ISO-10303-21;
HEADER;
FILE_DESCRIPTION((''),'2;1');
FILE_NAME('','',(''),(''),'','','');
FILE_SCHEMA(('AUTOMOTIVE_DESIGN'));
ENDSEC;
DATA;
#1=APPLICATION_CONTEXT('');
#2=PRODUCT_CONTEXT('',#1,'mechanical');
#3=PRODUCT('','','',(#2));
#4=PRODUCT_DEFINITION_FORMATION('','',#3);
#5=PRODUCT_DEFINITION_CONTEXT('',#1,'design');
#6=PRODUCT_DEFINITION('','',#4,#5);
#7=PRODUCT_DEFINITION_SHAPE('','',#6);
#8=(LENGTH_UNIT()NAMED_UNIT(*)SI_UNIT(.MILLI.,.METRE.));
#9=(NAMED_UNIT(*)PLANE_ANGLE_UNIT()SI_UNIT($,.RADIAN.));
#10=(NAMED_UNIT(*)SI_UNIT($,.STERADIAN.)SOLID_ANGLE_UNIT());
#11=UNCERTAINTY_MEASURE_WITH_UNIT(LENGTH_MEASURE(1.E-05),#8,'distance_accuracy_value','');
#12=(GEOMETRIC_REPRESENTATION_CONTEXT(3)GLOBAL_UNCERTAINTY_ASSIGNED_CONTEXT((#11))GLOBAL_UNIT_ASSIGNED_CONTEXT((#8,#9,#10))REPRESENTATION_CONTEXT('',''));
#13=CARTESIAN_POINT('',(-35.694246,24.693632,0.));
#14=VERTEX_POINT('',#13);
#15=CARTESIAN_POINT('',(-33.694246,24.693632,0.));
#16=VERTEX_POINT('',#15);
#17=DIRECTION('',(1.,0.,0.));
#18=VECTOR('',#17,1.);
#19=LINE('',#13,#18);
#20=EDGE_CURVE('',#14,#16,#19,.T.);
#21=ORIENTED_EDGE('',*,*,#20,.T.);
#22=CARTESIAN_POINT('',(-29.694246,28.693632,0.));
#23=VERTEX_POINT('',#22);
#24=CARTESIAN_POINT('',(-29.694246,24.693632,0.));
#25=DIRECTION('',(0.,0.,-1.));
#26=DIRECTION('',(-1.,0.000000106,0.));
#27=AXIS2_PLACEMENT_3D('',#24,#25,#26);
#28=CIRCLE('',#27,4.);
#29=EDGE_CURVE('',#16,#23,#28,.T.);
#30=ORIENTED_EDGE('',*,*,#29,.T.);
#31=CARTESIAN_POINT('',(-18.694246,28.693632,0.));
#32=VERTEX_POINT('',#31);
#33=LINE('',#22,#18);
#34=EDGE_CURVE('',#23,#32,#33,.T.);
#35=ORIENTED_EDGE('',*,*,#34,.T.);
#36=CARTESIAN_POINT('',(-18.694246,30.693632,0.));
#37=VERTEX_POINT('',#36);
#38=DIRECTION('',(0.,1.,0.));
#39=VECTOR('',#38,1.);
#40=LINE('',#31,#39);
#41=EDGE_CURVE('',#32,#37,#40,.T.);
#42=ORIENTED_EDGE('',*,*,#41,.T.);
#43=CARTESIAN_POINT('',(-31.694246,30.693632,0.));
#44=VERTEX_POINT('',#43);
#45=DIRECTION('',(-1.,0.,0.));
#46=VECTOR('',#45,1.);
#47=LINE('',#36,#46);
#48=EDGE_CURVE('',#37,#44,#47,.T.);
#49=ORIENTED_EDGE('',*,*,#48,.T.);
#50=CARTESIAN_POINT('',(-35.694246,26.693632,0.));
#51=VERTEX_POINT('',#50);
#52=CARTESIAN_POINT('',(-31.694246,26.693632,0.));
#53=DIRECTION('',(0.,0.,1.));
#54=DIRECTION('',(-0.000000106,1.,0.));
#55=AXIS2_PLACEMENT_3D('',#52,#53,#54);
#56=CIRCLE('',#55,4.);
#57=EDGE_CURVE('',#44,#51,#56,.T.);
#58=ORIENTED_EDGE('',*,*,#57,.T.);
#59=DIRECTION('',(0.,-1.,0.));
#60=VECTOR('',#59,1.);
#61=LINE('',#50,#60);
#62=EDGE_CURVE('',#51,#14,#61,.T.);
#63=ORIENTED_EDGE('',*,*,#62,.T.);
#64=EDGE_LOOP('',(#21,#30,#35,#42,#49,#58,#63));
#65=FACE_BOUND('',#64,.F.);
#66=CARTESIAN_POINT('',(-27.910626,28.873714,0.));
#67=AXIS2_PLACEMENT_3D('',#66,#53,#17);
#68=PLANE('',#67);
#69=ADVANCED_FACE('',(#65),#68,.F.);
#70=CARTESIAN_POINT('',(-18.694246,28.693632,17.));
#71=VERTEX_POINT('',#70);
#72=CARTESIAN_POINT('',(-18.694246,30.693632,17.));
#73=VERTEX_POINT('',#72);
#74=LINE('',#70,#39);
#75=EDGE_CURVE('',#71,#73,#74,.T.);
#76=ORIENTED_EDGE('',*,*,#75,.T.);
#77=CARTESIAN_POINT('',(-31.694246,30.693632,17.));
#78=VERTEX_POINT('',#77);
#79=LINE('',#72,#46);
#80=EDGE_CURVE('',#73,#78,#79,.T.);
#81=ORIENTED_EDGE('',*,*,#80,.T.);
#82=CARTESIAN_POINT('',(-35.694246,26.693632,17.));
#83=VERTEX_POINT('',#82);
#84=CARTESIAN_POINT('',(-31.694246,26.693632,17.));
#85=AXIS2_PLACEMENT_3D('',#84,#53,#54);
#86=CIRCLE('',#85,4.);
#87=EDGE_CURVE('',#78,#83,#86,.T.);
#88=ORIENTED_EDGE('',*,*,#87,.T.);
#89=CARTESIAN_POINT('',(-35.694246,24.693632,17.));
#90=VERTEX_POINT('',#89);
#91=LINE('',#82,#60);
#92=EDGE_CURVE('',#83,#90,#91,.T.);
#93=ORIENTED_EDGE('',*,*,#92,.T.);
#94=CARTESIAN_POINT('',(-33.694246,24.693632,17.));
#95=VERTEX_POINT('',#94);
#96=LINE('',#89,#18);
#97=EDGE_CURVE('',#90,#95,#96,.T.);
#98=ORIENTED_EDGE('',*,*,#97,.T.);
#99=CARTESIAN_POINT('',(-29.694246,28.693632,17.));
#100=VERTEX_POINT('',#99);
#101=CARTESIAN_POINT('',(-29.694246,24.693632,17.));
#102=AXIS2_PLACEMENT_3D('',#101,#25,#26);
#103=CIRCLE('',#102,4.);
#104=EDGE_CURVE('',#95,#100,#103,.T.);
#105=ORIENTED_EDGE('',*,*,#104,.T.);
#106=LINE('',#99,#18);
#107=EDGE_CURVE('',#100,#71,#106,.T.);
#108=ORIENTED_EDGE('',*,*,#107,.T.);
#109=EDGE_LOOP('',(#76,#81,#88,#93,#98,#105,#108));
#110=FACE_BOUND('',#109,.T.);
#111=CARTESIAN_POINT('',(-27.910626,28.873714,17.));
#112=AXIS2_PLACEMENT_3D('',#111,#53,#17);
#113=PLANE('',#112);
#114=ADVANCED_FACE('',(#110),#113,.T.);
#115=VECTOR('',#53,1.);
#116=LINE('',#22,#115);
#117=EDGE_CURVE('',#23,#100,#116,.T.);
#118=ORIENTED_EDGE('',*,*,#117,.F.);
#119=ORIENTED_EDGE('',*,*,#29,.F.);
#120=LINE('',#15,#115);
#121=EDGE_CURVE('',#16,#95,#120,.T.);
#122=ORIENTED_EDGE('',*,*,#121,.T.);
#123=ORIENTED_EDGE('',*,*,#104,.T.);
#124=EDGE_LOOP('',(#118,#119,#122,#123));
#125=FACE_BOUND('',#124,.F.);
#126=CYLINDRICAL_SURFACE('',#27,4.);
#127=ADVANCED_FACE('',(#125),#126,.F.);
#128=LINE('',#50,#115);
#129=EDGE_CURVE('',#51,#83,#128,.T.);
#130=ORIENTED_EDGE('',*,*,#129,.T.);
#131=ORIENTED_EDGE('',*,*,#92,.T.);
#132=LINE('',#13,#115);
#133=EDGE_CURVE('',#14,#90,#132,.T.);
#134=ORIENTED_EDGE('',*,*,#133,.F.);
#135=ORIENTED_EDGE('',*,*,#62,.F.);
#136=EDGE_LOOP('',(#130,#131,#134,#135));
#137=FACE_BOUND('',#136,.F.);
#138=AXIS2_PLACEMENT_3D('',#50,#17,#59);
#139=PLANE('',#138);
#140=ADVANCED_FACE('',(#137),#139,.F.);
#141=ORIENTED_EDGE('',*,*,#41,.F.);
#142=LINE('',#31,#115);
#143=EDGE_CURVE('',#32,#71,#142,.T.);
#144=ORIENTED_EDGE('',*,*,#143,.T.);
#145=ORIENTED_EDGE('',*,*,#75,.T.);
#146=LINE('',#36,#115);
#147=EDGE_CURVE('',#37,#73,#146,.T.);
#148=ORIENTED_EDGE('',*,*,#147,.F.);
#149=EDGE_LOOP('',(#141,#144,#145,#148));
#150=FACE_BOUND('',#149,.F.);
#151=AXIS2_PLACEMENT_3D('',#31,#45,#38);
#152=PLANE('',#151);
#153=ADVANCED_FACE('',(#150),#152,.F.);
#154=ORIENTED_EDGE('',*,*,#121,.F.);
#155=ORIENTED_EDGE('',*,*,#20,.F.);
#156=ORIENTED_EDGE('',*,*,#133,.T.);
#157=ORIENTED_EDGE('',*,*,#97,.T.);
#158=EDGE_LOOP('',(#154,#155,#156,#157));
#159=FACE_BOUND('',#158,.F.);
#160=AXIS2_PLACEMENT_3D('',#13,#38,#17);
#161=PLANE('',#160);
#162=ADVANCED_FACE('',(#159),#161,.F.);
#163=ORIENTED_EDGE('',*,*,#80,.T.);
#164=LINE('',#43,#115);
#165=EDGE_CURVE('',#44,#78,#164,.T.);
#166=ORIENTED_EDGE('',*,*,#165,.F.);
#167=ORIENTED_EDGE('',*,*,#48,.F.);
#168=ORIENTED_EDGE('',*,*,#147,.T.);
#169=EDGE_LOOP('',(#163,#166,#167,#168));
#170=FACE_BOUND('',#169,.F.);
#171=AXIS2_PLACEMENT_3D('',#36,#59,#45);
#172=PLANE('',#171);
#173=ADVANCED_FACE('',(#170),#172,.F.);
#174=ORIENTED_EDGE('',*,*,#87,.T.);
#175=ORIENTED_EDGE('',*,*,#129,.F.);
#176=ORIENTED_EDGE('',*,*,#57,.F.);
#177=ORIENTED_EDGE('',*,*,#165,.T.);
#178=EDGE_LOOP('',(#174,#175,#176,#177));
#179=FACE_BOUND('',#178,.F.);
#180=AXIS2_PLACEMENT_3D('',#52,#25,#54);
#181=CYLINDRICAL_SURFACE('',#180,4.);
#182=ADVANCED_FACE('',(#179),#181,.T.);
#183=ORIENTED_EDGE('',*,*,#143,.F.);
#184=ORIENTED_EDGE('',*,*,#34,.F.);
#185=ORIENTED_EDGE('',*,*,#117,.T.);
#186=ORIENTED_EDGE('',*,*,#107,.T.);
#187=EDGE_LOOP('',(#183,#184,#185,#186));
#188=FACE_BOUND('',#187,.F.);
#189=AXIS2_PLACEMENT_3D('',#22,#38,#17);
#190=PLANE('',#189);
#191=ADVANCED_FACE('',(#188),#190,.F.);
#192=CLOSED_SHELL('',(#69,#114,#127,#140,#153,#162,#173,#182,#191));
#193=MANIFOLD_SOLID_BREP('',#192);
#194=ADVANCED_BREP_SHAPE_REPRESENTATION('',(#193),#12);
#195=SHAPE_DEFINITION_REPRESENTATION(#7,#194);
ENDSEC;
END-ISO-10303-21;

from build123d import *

# Parameters (mm, degrees)
F1_DEPTH = 17


with BuildPart() as f1:
    # F0 (on Top) → F1 (new body)
    with BuildSketch(Plane.XY):
        with BuildLine():
            Line((-18.694246, 28.693632), (-18.694246, 30.693632))
            Line((-18.694246, 30.693632), (-31.694246, 30.693632))
            ThreePointArc((-31.694246, 30.693632), (-34.522673, 29.522059), (-35.694246, 26.693632))
            Line((-35.694246, 26.693632), (-35.694246, 24.693632))
            Line((-35.694246, 24.693632), (-33.694246, 24.693632))
            ThreePointArc((-33.694246, 24.693632), (-32.522673, 27.522059), (-29.694246, 28.693632))
            Line((-29.694246, 28.693632), (-18.694246, 28.693632))
        make_face()
    extrude(amount=F1_DEPTH)


solid = f1.part
